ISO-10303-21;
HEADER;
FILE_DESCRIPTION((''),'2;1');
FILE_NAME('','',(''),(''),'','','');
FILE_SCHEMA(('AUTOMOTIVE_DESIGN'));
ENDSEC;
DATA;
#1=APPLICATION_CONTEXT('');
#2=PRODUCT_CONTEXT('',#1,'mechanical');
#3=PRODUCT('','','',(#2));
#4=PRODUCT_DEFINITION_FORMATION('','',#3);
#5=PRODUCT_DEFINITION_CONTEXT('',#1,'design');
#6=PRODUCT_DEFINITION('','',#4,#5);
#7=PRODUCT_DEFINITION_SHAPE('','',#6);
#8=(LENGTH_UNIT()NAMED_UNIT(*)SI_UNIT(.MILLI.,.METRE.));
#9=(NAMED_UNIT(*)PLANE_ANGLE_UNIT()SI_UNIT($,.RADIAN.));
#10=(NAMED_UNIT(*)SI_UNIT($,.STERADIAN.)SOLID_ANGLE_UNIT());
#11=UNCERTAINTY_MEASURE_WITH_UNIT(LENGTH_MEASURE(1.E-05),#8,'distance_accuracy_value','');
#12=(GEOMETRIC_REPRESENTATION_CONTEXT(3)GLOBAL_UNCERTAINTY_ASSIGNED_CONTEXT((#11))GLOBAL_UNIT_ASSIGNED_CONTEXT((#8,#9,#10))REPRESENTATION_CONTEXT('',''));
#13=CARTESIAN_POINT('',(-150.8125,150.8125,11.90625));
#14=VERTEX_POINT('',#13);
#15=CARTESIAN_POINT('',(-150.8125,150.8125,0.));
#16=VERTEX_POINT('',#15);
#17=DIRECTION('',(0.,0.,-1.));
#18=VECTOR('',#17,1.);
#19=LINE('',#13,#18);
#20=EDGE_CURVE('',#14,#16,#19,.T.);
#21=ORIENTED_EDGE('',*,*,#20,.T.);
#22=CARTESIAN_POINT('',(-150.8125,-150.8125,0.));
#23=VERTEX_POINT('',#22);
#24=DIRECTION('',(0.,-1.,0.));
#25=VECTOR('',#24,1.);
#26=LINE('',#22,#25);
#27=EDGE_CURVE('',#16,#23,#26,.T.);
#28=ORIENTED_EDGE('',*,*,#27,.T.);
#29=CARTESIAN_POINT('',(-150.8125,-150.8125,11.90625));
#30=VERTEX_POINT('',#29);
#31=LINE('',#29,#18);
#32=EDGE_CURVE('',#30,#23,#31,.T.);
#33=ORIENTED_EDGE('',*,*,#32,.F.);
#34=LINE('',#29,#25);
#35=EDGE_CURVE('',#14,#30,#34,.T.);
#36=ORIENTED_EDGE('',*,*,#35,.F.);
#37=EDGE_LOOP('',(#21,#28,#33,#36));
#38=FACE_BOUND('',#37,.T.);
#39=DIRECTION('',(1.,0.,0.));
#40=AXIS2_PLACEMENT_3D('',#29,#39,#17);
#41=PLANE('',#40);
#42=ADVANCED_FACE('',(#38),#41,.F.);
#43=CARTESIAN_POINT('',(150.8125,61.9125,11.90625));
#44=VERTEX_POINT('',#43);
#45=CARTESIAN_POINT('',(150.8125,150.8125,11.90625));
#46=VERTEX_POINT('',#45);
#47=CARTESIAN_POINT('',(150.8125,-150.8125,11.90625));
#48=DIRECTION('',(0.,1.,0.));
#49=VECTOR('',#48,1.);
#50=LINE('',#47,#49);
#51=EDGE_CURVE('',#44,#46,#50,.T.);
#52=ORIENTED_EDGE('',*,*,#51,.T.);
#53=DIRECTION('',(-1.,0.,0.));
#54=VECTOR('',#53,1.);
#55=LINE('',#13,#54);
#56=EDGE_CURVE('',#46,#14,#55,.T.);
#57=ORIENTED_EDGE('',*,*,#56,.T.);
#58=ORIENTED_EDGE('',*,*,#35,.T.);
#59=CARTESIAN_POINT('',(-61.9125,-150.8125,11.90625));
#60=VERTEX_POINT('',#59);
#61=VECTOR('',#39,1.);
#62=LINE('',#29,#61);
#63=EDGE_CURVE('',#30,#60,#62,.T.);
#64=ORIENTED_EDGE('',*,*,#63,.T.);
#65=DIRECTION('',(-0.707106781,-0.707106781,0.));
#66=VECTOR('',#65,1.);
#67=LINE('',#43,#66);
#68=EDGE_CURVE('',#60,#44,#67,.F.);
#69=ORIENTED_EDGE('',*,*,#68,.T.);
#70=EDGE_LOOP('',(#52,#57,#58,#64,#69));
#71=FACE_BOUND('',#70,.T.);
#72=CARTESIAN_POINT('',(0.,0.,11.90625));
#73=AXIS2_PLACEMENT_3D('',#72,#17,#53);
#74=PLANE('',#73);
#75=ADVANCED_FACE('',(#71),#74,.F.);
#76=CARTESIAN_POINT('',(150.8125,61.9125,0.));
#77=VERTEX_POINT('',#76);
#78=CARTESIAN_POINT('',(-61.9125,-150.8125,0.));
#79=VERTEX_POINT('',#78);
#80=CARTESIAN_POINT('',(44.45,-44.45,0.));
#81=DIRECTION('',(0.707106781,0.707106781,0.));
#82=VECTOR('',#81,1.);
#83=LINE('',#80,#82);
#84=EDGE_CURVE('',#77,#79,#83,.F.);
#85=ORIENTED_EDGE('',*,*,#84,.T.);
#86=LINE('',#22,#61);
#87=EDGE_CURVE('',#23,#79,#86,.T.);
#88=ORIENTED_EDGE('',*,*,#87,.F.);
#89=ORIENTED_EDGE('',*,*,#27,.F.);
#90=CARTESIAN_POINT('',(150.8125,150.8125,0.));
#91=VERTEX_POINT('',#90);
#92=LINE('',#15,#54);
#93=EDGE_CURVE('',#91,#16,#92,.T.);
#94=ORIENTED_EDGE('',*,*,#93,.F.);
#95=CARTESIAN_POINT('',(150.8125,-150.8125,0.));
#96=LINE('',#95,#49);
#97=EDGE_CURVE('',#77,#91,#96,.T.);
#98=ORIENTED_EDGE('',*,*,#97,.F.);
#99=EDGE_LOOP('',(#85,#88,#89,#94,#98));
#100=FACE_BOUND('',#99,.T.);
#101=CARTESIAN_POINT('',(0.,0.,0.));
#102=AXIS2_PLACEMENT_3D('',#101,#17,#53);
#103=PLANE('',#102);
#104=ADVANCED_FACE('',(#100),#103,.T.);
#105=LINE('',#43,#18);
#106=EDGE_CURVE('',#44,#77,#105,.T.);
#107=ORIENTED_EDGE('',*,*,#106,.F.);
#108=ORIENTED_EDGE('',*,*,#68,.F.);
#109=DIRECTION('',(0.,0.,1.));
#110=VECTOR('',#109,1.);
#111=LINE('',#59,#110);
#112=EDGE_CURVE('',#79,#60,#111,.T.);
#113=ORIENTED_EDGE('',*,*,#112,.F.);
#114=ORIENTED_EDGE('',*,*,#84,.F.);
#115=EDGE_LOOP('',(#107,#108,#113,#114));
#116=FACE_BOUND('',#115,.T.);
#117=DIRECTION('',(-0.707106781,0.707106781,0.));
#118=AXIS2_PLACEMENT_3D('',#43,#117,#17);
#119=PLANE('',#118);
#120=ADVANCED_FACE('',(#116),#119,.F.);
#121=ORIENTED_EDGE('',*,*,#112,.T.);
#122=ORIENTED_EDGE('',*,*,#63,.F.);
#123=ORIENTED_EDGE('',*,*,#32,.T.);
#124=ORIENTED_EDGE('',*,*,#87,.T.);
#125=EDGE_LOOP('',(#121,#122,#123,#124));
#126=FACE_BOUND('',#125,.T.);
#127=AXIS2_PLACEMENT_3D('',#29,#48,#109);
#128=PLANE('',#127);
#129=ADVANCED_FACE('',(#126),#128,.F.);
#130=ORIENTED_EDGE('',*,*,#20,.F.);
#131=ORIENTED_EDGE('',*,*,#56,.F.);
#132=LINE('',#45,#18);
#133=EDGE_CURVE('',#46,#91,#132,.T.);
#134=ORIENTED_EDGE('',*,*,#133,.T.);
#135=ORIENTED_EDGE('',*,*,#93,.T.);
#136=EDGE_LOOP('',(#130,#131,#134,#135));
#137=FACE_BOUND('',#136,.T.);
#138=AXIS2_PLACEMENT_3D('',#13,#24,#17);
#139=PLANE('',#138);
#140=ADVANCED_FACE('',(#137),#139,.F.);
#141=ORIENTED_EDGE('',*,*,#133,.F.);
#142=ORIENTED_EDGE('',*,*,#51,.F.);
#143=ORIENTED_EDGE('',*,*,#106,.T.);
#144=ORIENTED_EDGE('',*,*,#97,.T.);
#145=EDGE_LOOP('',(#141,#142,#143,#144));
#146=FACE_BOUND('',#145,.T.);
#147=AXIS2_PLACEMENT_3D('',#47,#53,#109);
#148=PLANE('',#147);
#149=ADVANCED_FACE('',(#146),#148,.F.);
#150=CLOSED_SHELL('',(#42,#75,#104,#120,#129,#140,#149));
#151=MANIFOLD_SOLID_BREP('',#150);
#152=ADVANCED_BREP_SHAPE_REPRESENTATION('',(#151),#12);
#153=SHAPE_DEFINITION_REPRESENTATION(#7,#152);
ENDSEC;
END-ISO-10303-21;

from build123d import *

# Parameters (mm, degrees)
SKETCH1_W           = 301.625
SKETCH1_H           = 301.625
BOSS_EXTRUDE1_DEPTH = 11.90625
CHAMFER1_SIZE       = 212.725


with BuildPart() as part:
    # Sketch1 → Boss-Extrude1 (new body)
    with BuildSketch(Plane.XY):
        Rectangle(SKETCH1_W, SKETCH1_H)
    extrude(amount=BOSS_EXTRUDE1_DEPTH)

    # Chamfer1
    chamfer1_edges = [part.edges().sort_by_distance(p)[0] for p in [
        (150.8125, -150.8125, 5.953125),
    ]]
    chamfer(chamfer1_edges, length=CHAMFER1_SIZE)


solid = part.part
